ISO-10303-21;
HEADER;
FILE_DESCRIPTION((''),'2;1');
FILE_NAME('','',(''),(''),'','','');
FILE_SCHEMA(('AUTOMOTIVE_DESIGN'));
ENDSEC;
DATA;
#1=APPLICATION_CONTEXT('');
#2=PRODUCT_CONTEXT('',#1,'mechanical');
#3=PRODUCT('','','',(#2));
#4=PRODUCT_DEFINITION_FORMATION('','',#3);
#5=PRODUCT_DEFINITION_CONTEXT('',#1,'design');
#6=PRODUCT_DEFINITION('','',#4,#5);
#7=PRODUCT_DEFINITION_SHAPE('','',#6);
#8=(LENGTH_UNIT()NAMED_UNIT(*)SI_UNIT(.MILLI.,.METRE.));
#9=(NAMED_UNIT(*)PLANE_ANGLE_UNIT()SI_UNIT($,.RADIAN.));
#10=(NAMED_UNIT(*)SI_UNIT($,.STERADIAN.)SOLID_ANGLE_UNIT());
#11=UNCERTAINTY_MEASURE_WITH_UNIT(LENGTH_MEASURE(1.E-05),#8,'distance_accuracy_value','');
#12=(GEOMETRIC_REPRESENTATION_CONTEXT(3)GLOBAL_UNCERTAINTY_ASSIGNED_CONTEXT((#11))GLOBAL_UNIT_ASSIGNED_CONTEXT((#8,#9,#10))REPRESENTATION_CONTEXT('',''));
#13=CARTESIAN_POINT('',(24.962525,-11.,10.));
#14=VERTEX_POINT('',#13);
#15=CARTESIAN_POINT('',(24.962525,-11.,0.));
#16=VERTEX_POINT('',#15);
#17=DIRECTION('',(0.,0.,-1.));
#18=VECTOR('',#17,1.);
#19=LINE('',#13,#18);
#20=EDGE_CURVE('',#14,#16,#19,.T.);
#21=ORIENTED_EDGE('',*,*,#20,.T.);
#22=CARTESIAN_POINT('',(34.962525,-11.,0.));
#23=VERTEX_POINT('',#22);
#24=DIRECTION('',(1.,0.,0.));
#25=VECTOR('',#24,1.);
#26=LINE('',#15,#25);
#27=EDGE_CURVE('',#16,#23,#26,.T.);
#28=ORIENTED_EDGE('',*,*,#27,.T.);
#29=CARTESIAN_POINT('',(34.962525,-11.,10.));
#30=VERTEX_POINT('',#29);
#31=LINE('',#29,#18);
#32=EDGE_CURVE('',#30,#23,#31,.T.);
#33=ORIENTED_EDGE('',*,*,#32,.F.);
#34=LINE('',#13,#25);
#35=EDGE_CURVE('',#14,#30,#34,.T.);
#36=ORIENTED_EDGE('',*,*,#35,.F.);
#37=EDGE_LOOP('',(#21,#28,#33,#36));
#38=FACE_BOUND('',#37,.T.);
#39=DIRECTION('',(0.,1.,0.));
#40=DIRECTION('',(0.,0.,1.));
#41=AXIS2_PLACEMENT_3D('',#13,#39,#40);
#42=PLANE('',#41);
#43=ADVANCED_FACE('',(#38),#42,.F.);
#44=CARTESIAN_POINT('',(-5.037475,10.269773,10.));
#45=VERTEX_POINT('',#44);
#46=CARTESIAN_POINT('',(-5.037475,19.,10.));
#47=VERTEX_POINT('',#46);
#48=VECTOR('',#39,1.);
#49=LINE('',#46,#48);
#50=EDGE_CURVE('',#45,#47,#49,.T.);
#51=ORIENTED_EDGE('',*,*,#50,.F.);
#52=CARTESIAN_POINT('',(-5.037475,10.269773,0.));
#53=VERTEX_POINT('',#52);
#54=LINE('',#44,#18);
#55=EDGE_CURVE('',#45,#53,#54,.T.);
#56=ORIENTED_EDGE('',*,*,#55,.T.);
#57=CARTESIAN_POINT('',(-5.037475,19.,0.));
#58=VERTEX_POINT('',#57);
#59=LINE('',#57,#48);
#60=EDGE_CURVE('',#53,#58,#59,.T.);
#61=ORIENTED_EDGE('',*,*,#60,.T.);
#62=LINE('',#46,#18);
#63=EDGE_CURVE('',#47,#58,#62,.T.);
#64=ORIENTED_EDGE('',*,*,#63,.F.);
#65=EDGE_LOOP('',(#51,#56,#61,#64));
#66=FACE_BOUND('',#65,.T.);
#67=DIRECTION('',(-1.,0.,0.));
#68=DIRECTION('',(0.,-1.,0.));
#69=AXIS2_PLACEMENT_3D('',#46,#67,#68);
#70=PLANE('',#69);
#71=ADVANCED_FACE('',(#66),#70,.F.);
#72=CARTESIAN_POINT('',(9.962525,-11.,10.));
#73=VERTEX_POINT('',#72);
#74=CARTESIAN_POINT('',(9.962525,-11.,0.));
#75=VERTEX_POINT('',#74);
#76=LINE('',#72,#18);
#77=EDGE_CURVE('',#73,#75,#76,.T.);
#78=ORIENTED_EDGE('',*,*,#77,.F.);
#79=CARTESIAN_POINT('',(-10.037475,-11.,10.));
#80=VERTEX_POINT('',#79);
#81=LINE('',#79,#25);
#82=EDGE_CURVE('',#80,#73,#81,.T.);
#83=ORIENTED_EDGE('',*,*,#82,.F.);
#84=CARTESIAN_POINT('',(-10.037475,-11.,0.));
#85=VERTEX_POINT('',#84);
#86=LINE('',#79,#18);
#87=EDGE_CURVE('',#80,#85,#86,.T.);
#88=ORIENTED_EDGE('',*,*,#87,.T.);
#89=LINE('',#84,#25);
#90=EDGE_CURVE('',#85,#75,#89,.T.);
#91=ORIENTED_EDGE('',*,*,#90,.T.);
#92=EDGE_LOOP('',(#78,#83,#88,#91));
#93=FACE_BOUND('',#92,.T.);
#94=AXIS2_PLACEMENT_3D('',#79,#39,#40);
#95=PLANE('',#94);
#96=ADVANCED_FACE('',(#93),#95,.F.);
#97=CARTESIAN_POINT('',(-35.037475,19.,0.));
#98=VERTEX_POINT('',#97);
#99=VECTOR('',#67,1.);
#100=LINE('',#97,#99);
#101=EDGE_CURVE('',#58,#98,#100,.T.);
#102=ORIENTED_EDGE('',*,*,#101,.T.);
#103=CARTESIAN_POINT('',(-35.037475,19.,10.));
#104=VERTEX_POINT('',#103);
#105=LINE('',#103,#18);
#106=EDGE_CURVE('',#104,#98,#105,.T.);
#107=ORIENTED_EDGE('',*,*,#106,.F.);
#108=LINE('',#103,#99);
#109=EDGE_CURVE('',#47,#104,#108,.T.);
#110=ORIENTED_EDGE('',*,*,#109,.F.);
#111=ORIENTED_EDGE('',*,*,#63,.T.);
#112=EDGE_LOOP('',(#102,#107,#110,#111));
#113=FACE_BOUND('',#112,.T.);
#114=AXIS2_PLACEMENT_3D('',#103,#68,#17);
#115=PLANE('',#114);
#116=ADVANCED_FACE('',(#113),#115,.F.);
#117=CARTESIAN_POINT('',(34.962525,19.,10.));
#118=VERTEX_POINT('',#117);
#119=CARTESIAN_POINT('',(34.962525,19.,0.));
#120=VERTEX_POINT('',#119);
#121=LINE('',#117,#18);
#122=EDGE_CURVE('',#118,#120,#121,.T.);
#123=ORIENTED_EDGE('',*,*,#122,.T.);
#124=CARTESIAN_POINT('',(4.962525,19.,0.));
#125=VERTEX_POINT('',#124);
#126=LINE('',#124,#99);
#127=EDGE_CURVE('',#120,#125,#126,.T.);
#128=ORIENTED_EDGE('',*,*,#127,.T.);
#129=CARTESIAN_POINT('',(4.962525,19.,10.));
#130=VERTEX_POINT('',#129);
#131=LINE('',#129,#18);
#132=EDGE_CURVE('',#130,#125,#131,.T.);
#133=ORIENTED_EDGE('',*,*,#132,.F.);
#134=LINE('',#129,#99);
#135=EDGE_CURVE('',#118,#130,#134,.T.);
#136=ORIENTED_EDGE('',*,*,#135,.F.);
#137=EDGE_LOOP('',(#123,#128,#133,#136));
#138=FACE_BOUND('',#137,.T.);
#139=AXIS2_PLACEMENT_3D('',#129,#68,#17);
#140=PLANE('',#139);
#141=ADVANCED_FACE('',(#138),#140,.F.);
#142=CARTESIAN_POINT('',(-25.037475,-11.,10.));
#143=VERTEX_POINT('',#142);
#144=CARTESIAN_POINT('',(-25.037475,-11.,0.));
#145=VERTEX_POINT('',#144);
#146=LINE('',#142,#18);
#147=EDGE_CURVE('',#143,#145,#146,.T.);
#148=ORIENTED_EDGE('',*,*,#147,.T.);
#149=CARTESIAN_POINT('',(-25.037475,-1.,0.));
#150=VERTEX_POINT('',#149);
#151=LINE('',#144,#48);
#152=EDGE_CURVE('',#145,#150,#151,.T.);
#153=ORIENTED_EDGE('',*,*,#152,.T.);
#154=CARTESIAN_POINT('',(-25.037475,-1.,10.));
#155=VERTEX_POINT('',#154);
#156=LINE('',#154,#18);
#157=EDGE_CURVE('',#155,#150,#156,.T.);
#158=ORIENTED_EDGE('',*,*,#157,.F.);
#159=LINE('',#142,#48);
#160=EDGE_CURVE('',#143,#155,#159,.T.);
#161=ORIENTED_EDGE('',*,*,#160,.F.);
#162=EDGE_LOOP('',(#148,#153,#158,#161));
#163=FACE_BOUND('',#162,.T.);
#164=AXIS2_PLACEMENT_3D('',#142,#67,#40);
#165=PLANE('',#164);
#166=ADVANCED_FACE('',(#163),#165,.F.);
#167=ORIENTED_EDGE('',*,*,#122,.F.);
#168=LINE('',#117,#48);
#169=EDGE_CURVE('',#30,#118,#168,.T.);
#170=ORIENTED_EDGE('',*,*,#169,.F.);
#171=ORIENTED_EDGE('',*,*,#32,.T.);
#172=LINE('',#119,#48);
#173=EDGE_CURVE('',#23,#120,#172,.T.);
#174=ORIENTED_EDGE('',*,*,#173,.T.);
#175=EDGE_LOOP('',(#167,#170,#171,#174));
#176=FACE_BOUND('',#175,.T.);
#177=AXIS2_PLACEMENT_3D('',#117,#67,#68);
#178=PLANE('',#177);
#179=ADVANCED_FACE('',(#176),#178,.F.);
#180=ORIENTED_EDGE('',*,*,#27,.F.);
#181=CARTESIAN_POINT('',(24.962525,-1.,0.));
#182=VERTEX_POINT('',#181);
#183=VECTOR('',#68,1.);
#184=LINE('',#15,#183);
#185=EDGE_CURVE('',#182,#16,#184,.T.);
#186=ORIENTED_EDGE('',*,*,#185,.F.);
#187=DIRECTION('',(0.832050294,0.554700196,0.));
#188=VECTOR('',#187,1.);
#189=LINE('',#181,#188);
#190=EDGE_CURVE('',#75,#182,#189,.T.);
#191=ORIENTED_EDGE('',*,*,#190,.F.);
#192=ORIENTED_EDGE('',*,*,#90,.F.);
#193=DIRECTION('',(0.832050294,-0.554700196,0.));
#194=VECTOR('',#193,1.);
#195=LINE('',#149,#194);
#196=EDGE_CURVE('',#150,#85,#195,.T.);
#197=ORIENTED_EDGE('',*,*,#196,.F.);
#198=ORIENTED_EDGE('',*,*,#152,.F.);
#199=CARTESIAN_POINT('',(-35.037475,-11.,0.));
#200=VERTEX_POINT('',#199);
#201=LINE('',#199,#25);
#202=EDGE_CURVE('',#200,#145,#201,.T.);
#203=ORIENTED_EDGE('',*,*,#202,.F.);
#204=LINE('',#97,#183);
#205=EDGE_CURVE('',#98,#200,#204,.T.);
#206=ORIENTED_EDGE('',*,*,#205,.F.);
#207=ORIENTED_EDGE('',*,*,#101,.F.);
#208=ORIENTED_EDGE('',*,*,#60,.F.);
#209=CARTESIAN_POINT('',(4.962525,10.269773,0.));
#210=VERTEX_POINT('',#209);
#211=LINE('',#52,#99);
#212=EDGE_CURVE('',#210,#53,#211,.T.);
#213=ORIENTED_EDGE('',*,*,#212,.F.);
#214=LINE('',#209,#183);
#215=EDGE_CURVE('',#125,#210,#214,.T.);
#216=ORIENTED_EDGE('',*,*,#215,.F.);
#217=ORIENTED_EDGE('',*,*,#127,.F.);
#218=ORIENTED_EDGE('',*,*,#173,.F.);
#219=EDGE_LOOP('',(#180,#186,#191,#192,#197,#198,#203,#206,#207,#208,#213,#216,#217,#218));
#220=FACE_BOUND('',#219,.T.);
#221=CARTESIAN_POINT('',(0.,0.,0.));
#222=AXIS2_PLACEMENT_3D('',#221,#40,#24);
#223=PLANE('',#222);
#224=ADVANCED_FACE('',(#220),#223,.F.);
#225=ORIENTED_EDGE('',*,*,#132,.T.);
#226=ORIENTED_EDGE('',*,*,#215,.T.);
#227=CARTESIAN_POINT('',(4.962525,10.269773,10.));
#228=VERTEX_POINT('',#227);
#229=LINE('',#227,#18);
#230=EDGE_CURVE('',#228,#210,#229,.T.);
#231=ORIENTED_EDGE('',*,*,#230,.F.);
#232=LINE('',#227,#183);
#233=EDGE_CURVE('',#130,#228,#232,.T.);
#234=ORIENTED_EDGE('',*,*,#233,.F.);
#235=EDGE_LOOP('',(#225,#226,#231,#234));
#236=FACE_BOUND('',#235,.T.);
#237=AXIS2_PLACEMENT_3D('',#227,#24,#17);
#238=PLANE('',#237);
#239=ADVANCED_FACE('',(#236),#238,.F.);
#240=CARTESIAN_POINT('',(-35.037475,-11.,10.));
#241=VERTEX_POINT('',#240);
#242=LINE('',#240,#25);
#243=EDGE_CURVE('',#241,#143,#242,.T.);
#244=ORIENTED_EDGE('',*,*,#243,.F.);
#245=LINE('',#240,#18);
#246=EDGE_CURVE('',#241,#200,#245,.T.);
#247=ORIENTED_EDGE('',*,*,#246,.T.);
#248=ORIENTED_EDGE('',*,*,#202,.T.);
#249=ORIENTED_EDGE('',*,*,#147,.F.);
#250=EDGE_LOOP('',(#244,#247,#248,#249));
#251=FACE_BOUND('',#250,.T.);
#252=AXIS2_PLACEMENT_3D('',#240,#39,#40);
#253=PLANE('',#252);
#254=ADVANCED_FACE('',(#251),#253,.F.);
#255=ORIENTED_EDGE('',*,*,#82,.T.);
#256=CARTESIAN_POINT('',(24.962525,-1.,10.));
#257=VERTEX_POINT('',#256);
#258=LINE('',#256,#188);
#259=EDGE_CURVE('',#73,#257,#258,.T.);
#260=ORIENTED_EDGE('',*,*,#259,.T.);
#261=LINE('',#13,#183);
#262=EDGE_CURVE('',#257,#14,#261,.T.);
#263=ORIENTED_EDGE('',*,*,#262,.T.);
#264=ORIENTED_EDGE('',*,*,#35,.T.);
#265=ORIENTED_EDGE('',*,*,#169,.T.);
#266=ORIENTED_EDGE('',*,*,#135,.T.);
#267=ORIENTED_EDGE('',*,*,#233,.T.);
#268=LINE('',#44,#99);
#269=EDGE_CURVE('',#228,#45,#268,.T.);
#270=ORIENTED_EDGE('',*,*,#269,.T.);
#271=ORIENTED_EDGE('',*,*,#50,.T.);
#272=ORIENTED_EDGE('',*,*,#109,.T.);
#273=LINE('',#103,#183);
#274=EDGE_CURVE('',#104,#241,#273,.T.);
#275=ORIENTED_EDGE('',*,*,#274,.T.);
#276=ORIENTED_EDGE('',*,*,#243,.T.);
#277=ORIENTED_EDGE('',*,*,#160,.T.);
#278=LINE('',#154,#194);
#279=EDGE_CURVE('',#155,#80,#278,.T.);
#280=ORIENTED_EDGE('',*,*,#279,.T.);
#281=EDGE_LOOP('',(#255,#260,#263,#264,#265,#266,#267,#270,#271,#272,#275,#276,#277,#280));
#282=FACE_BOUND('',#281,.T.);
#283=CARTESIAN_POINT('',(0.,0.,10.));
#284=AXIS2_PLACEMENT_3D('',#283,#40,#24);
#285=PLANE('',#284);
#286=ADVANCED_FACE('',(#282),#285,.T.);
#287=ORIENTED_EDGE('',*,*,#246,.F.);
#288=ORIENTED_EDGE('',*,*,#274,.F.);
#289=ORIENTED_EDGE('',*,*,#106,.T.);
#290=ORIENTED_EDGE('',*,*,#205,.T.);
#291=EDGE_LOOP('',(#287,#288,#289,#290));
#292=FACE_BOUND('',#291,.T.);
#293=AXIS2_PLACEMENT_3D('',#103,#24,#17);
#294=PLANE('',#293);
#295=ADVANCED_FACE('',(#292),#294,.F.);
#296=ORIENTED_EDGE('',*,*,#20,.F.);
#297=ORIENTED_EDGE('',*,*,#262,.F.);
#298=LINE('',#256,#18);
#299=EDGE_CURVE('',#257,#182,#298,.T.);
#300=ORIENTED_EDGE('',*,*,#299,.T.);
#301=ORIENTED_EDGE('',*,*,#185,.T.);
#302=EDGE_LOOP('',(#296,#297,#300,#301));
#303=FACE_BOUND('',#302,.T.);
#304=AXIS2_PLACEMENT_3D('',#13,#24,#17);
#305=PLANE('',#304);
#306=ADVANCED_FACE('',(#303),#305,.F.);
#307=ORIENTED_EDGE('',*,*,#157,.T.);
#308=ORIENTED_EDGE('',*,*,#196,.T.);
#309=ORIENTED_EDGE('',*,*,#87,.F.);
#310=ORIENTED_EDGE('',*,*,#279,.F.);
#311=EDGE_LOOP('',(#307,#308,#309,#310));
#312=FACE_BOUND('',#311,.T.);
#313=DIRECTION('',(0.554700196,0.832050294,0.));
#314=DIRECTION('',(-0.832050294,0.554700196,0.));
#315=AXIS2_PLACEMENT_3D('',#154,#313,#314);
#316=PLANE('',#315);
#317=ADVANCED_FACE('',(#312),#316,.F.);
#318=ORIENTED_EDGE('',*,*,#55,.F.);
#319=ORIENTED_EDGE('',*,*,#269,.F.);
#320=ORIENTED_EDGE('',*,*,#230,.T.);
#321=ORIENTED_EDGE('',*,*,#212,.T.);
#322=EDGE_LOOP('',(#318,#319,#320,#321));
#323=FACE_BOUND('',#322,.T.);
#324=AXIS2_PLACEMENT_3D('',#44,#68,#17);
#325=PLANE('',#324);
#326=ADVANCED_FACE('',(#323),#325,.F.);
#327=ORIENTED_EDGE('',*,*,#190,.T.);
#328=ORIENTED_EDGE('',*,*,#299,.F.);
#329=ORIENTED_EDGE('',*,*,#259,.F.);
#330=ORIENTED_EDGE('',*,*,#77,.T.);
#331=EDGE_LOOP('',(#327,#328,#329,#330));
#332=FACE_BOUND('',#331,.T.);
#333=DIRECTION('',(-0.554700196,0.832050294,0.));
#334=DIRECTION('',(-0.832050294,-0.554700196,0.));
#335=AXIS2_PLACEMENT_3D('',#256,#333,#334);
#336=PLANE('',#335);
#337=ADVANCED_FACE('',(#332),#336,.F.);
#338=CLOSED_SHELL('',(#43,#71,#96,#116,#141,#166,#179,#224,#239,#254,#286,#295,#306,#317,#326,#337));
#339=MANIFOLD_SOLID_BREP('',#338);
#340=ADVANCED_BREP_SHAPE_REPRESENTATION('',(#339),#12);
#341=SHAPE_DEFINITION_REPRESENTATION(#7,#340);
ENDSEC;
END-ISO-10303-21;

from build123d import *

# Parameters (mm, degrees)
Y_KSEKLIK_EKSTR_ZYON1_DEPTH = 10


with BuildPart() as part:
    # Çizim1 → Yükseklik-Ekstrüzyon1 (new body)
    with BuildSketch(Plane.XY):
        Polygon((-25.037475014, -11), (-25.037475014, -1), (-10.037475014, -11), (9.962524986, -11), (24.962524986, -1), (24.962524986, -11), (34.962524986, -11), (34.962524986, 19), (4.962524986, 19), (4.962524986, 10.269772932), (-5.037475014, 10.269772932), (-5.037475014, 19), (-35.037475014, 19), (-35.037475014, -11), align=None)
    extrude(amount=Y_KSEKLIK_EKSTR_ZYON1_DEPTH)


solid = part.part
